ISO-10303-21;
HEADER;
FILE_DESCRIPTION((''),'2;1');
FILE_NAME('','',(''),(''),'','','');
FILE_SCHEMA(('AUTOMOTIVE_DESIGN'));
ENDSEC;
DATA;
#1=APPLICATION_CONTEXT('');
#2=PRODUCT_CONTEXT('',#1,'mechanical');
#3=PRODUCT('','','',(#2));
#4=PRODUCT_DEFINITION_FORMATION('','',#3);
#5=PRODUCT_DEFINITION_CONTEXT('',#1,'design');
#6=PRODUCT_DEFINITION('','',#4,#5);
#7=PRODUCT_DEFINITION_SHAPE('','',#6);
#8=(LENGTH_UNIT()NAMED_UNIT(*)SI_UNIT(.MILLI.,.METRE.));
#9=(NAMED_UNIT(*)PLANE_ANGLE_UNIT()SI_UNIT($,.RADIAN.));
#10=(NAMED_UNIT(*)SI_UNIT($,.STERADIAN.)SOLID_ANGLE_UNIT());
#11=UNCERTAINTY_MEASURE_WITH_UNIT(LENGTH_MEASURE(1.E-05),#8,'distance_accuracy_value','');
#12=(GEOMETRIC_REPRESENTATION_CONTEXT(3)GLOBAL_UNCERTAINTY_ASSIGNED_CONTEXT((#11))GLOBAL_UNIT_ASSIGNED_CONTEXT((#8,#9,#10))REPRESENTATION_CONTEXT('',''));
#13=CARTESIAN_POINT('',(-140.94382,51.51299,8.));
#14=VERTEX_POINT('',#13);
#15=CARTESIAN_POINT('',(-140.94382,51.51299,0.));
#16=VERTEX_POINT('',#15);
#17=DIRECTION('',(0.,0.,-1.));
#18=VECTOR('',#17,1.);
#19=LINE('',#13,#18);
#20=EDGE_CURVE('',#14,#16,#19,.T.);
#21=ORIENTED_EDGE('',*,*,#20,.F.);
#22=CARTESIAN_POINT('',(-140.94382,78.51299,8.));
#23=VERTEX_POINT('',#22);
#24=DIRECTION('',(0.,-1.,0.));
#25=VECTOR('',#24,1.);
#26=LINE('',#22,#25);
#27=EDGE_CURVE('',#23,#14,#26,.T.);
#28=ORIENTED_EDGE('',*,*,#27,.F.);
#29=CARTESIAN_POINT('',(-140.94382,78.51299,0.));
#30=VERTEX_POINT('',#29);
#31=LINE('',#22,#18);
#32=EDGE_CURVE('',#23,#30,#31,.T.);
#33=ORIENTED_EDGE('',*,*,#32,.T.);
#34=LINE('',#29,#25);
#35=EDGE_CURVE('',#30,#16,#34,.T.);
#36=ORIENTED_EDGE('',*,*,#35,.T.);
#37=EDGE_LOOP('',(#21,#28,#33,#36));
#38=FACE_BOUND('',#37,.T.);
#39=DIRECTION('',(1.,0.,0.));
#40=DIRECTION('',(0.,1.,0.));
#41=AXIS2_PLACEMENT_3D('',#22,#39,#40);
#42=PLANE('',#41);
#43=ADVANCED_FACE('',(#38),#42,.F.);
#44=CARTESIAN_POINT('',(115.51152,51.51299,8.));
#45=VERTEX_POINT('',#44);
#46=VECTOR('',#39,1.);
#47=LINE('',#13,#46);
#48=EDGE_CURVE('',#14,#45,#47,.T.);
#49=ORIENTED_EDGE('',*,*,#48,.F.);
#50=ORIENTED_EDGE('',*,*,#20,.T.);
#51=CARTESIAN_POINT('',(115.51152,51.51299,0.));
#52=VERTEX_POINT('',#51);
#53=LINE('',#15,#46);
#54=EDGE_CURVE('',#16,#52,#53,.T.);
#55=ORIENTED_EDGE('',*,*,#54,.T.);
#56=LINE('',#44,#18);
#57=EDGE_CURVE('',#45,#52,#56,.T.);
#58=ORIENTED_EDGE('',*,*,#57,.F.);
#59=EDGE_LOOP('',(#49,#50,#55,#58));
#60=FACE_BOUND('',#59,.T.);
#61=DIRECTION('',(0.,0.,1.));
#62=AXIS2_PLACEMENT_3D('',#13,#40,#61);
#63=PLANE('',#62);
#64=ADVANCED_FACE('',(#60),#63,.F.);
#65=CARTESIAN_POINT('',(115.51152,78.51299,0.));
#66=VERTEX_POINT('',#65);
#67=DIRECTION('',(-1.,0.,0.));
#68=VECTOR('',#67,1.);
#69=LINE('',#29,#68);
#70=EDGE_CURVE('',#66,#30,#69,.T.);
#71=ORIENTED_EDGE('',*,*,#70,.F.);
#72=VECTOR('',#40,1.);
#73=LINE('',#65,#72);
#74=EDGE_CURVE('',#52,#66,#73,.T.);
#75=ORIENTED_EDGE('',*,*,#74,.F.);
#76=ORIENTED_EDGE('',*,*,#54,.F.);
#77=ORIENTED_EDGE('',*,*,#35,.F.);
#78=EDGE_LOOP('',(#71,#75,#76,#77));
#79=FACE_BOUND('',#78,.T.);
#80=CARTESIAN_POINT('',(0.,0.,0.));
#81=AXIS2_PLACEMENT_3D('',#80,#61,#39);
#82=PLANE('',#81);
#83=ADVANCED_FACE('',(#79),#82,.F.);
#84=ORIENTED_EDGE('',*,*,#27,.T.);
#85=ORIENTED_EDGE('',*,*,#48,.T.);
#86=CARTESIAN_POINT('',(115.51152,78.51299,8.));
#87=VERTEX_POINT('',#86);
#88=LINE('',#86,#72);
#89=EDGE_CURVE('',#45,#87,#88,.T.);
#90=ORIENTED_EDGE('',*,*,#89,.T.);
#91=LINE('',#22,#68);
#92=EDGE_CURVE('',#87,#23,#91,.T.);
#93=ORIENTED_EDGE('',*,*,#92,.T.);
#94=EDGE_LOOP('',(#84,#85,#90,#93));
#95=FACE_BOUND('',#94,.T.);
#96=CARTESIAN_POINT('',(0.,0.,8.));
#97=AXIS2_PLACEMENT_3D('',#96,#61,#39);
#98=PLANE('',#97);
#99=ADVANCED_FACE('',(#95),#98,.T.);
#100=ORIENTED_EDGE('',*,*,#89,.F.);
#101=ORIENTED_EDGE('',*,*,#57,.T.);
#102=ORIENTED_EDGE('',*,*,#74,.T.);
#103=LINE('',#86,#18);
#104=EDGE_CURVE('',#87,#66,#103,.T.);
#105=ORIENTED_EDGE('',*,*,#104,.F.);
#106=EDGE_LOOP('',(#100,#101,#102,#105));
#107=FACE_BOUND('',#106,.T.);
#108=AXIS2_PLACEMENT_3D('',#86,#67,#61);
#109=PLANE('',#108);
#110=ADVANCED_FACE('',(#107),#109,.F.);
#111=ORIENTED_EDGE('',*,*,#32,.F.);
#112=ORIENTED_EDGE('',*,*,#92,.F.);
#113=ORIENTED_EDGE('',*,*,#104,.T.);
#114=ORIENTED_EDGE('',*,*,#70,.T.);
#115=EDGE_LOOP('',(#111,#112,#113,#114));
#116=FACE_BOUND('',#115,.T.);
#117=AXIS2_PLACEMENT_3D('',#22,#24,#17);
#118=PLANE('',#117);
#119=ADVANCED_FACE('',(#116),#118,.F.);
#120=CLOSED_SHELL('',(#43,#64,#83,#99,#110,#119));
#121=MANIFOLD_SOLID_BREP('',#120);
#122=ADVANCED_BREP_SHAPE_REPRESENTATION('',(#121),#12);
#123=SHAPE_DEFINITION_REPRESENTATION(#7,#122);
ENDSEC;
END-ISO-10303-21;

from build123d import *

# Parameters (mm, degrees)
SKETCH_1_W      = 256.45534
SKETCH_1_H      = 27
EXTRUDE_1_DEPTH = 8


with BuildPart() as part:
    # 草图1 → 凸台-拉伸1 (new body)
    with BuildSketch(Plane.XY):
        with Locations((-12.716150225, 65.012989561)):
            Rectangle(SKETCH_1_W, SKETCH_1_H)
    extrude(amount=EXTRUDE_1_DEPTH)


solid = part.part
